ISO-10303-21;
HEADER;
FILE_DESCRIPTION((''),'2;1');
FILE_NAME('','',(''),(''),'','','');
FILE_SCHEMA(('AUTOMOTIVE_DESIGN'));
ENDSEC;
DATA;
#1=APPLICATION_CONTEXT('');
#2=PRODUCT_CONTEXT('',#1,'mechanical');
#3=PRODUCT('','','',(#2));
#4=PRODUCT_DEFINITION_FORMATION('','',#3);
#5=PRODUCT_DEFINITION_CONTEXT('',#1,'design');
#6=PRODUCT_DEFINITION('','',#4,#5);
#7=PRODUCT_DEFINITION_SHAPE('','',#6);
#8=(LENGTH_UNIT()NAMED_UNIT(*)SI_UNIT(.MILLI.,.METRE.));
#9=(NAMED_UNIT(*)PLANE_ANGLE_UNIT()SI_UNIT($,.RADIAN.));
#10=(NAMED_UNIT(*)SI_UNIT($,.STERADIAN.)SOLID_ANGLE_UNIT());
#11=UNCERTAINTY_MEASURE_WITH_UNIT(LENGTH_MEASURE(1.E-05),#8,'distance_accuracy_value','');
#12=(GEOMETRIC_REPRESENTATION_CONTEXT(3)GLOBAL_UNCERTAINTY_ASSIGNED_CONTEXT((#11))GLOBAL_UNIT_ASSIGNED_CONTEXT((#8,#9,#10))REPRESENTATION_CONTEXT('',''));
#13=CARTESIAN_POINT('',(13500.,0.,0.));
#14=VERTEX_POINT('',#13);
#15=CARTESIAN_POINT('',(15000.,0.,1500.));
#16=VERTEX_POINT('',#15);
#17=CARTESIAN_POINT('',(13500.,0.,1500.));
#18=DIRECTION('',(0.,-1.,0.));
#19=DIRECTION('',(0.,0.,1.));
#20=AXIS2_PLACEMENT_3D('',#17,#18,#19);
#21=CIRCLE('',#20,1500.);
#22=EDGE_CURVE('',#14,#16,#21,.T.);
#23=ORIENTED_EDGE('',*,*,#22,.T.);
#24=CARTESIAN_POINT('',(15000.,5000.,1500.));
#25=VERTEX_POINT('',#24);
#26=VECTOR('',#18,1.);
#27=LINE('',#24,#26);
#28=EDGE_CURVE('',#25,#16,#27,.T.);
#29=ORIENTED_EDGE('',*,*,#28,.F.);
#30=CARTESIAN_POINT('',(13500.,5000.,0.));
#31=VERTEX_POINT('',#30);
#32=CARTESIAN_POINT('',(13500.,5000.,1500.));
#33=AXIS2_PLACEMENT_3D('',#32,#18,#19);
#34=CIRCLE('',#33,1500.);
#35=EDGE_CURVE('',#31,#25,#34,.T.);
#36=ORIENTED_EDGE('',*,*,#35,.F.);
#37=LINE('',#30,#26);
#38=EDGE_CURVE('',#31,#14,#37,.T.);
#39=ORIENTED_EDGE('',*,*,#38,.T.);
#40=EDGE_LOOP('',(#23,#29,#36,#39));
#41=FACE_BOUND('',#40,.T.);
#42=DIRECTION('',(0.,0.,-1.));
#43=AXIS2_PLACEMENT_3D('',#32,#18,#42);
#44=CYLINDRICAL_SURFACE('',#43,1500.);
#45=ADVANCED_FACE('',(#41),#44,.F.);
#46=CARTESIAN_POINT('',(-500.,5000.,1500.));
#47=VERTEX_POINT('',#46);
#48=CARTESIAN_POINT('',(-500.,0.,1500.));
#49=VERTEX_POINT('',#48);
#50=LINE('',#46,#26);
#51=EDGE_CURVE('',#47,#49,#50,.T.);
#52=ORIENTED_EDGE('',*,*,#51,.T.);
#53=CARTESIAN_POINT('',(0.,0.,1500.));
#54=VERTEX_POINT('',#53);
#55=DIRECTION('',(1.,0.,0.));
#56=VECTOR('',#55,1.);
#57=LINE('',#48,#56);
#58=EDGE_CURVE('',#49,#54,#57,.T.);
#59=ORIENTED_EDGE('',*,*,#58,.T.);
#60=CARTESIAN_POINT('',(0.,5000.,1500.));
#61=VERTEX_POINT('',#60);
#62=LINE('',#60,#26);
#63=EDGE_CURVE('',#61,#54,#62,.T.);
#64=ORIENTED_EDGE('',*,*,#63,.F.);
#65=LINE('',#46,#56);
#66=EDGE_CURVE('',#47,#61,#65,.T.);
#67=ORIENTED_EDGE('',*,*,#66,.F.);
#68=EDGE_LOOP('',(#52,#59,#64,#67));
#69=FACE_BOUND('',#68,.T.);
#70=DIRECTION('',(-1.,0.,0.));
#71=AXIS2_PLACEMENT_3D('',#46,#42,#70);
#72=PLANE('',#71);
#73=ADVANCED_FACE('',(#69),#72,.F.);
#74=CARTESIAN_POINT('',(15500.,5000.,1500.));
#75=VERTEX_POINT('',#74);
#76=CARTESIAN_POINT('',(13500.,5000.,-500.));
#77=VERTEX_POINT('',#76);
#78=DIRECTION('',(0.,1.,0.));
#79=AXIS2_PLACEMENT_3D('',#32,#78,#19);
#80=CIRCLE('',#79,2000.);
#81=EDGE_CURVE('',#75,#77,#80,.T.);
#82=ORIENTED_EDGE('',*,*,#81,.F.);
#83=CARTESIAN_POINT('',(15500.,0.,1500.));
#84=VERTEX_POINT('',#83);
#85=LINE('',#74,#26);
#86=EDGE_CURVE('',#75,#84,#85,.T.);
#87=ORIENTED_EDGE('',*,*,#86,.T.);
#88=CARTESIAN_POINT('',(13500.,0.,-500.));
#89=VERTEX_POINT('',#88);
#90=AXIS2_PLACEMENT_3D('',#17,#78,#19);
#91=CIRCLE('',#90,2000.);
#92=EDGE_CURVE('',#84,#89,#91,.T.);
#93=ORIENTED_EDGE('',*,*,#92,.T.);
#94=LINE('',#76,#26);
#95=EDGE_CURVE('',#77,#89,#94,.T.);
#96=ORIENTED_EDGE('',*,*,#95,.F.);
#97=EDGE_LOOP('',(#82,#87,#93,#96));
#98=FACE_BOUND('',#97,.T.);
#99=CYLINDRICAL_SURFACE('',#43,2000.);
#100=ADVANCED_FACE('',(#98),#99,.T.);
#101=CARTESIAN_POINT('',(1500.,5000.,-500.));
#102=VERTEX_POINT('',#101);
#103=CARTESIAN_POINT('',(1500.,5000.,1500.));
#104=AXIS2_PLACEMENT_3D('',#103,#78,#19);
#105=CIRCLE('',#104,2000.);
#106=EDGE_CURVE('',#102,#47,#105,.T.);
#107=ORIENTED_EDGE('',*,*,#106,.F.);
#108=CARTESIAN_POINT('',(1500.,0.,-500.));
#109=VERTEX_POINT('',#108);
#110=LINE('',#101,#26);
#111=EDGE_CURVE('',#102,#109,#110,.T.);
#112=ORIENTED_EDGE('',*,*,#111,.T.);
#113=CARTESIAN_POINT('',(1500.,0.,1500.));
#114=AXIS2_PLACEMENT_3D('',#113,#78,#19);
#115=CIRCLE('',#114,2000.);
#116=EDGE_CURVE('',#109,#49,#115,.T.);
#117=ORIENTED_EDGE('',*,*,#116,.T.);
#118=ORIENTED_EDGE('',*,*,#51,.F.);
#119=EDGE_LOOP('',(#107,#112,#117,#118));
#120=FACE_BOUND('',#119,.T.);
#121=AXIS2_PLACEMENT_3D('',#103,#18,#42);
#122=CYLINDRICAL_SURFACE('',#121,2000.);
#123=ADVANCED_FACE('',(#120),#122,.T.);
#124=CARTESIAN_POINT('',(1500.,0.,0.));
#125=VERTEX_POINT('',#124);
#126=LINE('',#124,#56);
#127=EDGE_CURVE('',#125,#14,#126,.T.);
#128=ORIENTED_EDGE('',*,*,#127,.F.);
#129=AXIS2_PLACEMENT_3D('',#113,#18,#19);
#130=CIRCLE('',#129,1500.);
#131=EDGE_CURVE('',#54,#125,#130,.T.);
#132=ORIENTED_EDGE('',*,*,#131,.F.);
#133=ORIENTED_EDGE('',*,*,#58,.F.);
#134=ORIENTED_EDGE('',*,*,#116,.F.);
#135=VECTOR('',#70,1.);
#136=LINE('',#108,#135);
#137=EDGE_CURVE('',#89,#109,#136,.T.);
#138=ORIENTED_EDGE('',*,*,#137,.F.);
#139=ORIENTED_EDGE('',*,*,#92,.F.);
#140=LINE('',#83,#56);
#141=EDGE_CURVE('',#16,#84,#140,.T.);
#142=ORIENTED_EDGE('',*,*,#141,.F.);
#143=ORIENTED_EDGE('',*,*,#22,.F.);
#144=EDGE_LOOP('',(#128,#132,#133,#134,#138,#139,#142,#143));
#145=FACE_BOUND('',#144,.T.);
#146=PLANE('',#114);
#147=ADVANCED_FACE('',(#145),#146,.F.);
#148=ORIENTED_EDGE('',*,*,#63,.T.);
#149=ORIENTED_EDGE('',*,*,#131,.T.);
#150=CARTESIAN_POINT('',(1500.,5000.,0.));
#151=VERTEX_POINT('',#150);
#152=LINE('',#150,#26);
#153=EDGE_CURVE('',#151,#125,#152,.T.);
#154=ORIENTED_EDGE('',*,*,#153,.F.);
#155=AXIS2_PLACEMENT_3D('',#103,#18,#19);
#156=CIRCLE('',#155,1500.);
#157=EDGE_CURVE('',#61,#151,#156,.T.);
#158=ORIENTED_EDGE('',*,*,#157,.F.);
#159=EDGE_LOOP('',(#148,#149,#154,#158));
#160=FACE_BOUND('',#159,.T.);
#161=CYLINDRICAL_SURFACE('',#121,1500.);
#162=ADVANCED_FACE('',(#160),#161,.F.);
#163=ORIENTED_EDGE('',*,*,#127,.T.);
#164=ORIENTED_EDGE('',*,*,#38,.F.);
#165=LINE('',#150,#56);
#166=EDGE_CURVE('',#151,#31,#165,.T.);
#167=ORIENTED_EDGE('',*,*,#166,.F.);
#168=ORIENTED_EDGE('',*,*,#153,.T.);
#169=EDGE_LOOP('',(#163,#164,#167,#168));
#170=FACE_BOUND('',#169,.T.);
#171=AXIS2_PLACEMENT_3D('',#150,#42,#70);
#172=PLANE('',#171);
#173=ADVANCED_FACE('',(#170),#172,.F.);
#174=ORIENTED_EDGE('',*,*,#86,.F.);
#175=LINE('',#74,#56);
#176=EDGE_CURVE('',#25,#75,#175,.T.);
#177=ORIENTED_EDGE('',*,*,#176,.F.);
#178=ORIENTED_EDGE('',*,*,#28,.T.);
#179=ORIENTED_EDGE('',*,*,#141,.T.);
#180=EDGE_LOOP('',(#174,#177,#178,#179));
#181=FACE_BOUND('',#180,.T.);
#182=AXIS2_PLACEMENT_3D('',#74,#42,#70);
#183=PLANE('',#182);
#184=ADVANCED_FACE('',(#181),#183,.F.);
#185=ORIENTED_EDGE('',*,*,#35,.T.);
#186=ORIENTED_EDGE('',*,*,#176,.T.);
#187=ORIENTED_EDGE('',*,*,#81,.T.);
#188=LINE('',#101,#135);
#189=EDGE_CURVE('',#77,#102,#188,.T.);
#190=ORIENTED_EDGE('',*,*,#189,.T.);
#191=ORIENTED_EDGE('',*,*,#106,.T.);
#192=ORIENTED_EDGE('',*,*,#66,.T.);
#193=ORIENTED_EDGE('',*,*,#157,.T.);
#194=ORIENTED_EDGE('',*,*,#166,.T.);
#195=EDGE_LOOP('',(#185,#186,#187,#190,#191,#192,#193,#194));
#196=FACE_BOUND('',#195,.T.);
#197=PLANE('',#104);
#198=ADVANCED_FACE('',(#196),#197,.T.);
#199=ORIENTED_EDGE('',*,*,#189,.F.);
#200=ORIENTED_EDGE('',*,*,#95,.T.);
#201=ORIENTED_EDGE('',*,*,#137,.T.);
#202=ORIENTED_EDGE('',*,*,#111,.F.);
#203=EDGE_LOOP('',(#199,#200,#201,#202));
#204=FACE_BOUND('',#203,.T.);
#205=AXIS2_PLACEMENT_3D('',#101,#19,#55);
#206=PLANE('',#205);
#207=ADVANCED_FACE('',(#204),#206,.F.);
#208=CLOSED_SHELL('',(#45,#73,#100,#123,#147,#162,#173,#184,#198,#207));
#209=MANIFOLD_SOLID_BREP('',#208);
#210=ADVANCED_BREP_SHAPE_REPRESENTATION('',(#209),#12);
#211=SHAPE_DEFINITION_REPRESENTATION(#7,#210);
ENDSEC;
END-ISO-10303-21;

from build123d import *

# Parameters (mm, degrees)
BOSS_EXTRUDE1_DEPTH = 5000


with BuildPart() as part:
    # Sketch1 → Boss-Extrude1 (new body)
    with BuildSketch(Plane(origin=(0, 0, 0), x_dir=(1, 0, 0), z_dir=(0, 1, 0))):
        with BuildLine():
            Line((1500, 0), (13500, 0))
            ThreePointArc((13500, 0), (14560.66017178, -439.33982822), (15000, -1500))
            Line((15000, -1500), (15500, -1500))
            ThreePointArc((15500, -1500), (14914.213562373, -85.786437627), (13500, 500))
            Line((13500, 500), (1500, 500))
            ThreePointArc((1500, 500), (85.786437627, -85.786437627), (-500, -1500))
            Line((-500, -1500), (0, -1500))
            ThreePointArc((0, -1500), (439.33982822, -439.33982822), (1500, 0))
        make_face()
    extrude(amount=BOSS_EXTRUDE1_DEPTH)


solid = part.part
